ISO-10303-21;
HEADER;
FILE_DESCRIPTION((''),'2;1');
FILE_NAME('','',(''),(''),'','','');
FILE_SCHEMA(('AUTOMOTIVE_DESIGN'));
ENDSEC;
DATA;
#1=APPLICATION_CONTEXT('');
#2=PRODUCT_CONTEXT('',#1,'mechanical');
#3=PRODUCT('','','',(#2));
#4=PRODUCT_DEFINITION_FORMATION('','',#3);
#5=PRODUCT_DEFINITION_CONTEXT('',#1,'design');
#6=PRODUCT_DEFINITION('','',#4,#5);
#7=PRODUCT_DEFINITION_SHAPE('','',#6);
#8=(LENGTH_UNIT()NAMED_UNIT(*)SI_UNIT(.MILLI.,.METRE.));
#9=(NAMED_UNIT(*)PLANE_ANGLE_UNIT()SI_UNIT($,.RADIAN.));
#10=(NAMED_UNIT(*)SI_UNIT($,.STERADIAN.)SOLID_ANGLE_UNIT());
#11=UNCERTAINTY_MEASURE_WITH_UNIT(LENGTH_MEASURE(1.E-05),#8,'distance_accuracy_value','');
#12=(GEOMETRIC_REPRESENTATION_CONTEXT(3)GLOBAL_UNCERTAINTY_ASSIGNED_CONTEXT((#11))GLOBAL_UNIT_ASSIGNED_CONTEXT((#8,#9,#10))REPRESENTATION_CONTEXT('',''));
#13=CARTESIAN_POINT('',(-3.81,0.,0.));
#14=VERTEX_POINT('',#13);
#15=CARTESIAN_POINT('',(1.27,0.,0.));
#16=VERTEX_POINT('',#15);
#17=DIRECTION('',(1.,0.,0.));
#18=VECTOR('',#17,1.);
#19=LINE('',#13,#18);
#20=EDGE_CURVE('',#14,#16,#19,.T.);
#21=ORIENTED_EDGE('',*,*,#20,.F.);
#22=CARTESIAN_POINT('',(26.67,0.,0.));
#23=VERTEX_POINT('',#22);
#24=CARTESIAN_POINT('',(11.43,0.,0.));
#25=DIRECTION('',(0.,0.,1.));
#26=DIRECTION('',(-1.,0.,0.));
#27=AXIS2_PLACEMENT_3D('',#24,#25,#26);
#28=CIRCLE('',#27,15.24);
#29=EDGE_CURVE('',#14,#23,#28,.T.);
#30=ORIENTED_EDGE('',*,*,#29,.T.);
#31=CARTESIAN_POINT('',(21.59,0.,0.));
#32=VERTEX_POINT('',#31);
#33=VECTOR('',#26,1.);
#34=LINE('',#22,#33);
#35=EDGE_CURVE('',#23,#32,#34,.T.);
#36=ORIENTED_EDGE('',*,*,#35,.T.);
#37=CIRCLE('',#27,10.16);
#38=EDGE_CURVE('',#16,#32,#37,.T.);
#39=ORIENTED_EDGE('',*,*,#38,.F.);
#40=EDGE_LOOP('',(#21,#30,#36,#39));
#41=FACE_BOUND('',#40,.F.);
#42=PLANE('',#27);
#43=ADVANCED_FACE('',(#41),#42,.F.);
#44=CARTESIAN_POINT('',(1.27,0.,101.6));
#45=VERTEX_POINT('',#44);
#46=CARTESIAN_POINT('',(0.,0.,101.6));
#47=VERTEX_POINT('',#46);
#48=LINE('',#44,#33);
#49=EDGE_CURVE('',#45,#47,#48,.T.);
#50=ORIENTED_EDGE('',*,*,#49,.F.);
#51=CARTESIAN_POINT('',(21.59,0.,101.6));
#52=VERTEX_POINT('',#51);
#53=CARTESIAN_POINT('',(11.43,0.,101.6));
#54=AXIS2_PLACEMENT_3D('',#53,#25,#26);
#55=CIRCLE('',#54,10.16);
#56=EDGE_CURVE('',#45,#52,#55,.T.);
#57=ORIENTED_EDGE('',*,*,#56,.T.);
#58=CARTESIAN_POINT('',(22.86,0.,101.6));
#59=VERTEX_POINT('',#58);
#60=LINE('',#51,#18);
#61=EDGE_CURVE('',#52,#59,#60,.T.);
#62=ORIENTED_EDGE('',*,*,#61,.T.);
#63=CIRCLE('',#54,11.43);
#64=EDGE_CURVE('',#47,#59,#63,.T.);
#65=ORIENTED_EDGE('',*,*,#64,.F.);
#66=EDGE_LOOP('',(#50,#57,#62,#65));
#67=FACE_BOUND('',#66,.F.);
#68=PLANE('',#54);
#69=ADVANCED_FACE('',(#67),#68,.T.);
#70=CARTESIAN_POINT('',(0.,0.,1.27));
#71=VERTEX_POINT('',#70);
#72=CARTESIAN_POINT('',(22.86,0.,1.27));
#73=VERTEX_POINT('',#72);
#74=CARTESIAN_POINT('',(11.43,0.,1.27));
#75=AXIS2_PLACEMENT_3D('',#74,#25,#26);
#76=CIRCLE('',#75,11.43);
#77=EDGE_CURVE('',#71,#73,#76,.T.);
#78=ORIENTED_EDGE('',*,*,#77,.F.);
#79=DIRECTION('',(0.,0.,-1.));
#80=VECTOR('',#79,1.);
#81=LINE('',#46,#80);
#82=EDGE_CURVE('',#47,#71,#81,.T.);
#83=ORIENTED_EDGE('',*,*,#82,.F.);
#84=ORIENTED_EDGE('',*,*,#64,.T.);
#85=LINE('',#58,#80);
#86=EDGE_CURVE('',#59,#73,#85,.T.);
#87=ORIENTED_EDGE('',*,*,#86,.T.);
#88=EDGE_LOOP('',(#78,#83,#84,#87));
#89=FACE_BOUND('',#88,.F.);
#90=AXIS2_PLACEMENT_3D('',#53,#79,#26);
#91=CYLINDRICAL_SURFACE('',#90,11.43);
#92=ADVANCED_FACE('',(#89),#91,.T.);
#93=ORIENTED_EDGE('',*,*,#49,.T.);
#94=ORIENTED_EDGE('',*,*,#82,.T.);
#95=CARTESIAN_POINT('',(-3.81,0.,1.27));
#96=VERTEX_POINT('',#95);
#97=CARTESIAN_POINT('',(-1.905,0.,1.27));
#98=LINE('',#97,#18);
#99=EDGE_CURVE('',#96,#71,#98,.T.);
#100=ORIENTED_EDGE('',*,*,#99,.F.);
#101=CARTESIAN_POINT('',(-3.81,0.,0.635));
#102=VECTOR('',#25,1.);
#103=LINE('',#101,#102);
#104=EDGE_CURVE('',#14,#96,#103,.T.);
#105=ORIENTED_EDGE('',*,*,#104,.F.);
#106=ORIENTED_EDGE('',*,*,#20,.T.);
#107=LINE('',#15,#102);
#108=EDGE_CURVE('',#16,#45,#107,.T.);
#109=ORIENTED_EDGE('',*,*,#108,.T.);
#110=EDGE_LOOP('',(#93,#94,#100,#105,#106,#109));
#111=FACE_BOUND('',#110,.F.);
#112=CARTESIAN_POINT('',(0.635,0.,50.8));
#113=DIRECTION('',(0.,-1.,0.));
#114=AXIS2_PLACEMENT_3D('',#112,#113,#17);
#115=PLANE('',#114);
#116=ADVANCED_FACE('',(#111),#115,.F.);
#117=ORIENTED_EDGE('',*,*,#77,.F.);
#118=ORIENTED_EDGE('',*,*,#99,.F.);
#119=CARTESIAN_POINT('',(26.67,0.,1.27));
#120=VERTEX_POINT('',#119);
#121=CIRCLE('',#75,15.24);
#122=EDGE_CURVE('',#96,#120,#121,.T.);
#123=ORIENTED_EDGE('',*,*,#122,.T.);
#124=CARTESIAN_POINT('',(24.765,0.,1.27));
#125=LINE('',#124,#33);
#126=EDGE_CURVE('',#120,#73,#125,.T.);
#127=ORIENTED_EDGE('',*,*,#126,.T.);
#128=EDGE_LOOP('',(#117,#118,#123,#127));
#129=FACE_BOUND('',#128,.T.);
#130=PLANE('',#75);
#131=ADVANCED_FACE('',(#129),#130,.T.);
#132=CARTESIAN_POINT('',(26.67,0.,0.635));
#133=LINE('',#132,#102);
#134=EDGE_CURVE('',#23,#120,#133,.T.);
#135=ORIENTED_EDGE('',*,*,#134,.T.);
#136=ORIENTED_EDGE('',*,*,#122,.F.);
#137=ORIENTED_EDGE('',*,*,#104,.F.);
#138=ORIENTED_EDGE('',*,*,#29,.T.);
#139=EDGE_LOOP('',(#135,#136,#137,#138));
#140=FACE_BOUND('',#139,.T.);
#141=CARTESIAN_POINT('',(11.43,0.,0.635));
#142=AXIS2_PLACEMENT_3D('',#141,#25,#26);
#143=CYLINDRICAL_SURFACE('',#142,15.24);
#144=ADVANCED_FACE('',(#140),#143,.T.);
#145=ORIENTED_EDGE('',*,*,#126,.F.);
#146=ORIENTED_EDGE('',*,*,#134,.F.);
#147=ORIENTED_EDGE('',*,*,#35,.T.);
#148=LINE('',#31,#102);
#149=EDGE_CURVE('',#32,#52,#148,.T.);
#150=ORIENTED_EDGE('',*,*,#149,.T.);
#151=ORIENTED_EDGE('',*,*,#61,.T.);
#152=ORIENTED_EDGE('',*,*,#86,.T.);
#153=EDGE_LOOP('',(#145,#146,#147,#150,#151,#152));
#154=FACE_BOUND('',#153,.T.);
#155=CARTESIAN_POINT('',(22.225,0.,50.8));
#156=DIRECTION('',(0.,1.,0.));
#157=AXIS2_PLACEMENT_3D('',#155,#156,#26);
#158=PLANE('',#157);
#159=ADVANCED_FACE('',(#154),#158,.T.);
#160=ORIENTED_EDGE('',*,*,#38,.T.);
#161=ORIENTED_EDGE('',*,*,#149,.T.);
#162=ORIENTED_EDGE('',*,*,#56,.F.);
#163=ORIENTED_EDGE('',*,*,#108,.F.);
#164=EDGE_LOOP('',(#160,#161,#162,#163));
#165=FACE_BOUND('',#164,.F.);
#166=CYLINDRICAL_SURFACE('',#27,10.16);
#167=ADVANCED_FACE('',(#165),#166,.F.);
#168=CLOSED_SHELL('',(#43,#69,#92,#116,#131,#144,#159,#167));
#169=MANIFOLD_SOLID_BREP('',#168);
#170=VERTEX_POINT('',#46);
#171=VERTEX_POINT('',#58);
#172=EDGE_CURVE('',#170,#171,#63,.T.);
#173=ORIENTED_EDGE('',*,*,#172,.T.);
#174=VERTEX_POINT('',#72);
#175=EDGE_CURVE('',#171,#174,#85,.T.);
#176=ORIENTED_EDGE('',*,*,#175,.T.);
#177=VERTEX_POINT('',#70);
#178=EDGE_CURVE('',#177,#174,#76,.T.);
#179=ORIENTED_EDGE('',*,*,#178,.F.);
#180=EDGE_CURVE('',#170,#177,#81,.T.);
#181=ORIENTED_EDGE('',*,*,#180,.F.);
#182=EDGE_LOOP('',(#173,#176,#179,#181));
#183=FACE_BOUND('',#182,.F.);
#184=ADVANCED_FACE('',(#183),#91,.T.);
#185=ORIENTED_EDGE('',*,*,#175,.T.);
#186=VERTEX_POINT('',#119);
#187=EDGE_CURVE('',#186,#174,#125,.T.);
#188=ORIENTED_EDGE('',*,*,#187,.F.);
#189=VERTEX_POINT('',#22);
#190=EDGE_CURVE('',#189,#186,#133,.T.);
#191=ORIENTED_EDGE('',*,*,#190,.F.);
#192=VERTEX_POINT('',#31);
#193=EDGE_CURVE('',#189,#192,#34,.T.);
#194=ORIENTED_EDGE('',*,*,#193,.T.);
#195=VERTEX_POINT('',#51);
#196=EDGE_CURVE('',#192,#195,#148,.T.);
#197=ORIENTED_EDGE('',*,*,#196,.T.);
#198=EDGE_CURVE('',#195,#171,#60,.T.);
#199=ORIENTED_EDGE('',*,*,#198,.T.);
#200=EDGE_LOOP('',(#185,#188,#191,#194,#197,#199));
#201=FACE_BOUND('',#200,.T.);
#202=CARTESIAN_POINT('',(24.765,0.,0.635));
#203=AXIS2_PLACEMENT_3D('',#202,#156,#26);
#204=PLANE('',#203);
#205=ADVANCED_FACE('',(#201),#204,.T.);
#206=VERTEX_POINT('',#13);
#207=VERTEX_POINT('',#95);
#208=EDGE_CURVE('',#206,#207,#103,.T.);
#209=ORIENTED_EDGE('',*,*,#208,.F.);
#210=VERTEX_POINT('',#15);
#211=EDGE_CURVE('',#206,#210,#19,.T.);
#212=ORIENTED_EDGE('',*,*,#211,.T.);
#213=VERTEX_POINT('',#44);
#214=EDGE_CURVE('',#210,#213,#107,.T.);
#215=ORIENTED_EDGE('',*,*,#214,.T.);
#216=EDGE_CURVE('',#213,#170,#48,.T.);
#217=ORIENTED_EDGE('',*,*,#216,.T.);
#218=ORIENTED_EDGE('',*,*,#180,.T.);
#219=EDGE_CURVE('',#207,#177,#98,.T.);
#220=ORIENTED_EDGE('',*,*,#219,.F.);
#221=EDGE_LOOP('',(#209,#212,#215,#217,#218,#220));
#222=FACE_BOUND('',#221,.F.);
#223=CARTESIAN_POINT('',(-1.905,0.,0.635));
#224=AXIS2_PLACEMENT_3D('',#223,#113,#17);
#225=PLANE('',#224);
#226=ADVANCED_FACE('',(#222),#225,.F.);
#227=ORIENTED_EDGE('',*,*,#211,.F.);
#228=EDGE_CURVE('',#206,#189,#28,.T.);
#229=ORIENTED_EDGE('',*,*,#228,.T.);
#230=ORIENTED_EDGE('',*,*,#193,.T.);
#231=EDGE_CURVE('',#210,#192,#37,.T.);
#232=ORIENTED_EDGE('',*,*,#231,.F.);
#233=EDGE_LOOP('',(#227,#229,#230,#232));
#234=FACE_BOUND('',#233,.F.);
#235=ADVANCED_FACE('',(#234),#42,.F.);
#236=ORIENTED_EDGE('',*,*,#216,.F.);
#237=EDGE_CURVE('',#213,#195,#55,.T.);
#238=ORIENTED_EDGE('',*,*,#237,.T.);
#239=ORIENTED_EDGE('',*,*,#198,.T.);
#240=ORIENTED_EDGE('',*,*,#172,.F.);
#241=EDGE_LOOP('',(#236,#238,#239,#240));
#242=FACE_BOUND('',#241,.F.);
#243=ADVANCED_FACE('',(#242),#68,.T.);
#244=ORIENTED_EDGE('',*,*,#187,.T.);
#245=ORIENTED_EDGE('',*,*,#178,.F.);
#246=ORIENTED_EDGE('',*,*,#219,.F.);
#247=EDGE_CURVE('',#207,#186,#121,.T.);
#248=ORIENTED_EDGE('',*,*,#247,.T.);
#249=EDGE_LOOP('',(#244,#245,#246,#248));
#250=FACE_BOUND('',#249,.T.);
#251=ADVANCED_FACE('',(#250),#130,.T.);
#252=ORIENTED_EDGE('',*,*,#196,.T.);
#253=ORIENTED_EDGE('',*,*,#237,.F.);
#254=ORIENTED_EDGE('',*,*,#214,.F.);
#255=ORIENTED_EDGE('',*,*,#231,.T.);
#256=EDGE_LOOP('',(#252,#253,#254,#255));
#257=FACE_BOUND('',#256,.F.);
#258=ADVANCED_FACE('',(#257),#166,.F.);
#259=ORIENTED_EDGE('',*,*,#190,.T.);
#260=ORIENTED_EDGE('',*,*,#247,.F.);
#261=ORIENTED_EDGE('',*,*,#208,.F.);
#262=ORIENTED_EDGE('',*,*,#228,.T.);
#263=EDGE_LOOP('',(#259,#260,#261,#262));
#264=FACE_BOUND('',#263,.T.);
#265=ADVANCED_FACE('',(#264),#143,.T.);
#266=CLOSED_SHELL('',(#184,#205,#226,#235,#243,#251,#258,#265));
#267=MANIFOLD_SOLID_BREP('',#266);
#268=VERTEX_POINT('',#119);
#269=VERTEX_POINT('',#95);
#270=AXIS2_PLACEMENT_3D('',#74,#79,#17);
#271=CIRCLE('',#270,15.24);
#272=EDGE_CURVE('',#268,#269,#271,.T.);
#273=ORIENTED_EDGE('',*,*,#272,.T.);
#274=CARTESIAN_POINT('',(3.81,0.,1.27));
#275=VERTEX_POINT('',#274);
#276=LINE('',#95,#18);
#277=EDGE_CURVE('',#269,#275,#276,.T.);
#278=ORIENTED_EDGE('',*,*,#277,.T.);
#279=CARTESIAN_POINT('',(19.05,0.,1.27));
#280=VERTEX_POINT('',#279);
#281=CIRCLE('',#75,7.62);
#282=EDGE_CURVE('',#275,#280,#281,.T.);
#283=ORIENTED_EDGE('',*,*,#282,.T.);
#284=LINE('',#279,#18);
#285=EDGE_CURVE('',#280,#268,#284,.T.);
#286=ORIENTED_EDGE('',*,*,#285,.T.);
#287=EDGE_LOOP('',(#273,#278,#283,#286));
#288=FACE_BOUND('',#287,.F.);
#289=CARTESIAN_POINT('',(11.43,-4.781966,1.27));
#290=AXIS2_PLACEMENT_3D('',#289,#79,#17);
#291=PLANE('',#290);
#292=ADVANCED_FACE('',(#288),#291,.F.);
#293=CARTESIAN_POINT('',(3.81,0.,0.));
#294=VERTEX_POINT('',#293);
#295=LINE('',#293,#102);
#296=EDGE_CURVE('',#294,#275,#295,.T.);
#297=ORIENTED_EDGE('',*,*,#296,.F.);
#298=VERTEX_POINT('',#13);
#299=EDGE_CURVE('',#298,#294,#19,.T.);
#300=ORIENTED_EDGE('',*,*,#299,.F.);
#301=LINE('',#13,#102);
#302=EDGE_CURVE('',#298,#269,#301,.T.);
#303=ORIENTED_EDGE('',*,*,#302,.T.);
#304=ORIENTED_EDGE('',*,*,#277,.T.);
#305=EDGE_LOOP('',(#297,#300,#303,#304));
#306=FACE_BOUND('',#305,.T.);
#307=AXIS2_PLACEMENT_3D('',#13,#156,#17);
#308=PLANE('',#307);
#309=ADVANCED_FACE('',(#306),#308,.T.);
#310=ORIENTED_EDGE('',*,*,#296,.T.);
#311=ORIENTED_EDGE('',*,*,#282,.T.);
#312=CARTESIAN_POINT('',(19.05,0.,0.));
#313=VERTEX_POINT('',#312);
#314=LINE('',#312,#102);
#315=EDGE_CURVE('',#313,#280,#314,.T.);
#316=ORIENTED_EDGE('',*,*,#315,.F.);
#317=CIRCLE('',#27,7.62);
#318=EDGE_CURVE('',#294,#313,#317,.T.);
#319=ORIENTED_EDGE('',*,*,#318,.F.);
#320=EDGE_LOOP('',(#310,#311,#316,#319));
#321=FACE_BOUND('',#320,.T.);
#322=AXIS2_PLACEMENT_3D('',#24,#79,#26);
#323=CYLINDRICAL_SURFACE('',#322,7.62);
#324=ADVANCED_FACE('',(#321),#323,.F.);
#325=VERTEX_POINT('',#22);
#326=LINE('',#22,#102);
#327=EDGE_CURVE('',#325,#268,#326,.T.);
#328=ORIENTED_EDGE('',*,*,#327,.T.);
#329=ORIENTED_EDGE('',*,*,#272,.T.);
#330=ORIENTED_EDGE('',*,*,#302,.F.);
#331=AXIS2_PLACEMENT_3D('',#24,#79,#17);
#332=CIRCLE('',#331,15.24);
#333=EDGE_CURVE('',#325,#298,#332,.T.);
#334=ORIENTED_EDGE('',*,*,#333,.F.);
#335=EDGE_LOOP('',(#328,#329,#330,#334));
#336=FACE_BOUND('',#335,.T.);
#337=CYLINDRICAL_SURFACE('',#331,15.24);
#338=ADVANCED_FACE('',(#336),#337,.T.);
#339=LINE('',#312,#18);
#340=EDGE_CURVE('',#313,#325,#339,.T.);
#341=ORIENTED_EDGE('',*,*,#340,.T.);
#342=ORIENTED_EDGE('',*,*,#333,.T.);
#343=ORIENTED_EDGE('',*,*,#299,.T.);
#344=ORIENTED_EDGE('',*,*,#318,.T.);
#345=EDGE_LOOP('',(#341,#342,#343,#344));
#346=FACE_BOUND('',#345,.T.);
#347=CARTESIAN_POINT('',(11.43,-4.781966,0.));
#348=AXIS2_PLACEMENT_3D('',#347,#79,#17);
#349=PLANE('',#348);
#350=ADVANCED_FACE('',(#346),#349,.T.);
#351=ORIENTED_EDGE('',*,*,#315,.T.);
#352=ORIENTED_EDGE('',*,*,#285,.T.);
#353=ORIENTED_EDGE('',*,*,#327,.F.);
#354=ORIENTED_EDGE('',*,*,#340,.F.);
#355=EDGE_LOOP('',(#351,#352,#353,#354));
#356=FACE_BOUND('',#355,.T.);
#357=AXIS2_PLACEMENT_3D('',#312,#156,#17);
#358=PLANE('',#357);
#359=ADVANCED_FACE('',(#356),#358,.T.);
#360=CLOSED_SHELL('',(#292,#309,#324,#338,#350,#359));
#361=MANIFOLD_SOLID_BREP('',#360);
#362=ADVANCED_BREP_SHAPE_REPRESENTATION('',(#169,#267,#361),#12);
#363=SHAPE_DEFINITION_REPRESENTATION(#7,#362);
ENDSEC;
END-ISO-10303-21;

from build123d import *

# Parameters (mm, degrees)
F0_W     = 3.81
F0_H     = 1.27
F1_ANGLE = 180
F2_ANGLE = 180
F4_DEPTH = 1.27


with BuildPart() as f1:
    # F0 (on Front) → F1 (revolve)
    with BuildSketch(Plane.XZ):
        with Locations((-1.905, 0.635)):
            Rectangle(F0_W, F0_H)
        Polygon((0, 1.27), (0, 0), (1.27, 0), (1.27, 101.6), (0, 101.6), align=None)
    revolve(axis=Axis((11.43, 0, 50.8), (0, 0, 1)), revolution_arc=F1_ANGLE)


with BuildPart() as f2:
    # F0 (on Front) → F2 (revolve)
    with BuildSketch(Plane.XZ):
        Polygon((0, 1.27), (0, 0), (1.27, 0), (1.27, 101.6), (0, 101.6), align=None)
        with Locations((-1.905, 0.635)):
            Rectangle(F0_W, F0_H)
    revolve(axis=Axis((11.43, 0, 50.8), (0, 0, 1)), revolution_arc=F2_ANGLE)


with BuildPart() as f4:
    # F3 (on face) → F4 (new body)
    with BuildSketch(Plane(origin=(0, 0, 0), x_dir=(1, 0, 0), z_dir=(0, 0, -1))):
        with BuildLine():
            ThreePointArc((3.81, 0), (11.43, 7.62), (19.05, 0))
            Line((19.05, 0), (21.59, 0))
            ThreePointArc((21.59, 0), (11.43, 10.16), (1.27, 0))
            Line((1.27, 0), (3.81, 0))
        make_face()
        with BuildLine():
            ThreePointArc((1.27, 0), (11.43, 10.16), (21.59, 0))
            Line((21.59, 0), (26.67, 0))
            ThreePointArc((26.67, 0), (11.43, 15.24), (-3.81, 0))
            Line((-3.81, 0), (1.27, 0))
        make_face()
    extrude(amount=-F4_DEPTH)


solid = Compound([f1.part, f2.part, f4.part])
